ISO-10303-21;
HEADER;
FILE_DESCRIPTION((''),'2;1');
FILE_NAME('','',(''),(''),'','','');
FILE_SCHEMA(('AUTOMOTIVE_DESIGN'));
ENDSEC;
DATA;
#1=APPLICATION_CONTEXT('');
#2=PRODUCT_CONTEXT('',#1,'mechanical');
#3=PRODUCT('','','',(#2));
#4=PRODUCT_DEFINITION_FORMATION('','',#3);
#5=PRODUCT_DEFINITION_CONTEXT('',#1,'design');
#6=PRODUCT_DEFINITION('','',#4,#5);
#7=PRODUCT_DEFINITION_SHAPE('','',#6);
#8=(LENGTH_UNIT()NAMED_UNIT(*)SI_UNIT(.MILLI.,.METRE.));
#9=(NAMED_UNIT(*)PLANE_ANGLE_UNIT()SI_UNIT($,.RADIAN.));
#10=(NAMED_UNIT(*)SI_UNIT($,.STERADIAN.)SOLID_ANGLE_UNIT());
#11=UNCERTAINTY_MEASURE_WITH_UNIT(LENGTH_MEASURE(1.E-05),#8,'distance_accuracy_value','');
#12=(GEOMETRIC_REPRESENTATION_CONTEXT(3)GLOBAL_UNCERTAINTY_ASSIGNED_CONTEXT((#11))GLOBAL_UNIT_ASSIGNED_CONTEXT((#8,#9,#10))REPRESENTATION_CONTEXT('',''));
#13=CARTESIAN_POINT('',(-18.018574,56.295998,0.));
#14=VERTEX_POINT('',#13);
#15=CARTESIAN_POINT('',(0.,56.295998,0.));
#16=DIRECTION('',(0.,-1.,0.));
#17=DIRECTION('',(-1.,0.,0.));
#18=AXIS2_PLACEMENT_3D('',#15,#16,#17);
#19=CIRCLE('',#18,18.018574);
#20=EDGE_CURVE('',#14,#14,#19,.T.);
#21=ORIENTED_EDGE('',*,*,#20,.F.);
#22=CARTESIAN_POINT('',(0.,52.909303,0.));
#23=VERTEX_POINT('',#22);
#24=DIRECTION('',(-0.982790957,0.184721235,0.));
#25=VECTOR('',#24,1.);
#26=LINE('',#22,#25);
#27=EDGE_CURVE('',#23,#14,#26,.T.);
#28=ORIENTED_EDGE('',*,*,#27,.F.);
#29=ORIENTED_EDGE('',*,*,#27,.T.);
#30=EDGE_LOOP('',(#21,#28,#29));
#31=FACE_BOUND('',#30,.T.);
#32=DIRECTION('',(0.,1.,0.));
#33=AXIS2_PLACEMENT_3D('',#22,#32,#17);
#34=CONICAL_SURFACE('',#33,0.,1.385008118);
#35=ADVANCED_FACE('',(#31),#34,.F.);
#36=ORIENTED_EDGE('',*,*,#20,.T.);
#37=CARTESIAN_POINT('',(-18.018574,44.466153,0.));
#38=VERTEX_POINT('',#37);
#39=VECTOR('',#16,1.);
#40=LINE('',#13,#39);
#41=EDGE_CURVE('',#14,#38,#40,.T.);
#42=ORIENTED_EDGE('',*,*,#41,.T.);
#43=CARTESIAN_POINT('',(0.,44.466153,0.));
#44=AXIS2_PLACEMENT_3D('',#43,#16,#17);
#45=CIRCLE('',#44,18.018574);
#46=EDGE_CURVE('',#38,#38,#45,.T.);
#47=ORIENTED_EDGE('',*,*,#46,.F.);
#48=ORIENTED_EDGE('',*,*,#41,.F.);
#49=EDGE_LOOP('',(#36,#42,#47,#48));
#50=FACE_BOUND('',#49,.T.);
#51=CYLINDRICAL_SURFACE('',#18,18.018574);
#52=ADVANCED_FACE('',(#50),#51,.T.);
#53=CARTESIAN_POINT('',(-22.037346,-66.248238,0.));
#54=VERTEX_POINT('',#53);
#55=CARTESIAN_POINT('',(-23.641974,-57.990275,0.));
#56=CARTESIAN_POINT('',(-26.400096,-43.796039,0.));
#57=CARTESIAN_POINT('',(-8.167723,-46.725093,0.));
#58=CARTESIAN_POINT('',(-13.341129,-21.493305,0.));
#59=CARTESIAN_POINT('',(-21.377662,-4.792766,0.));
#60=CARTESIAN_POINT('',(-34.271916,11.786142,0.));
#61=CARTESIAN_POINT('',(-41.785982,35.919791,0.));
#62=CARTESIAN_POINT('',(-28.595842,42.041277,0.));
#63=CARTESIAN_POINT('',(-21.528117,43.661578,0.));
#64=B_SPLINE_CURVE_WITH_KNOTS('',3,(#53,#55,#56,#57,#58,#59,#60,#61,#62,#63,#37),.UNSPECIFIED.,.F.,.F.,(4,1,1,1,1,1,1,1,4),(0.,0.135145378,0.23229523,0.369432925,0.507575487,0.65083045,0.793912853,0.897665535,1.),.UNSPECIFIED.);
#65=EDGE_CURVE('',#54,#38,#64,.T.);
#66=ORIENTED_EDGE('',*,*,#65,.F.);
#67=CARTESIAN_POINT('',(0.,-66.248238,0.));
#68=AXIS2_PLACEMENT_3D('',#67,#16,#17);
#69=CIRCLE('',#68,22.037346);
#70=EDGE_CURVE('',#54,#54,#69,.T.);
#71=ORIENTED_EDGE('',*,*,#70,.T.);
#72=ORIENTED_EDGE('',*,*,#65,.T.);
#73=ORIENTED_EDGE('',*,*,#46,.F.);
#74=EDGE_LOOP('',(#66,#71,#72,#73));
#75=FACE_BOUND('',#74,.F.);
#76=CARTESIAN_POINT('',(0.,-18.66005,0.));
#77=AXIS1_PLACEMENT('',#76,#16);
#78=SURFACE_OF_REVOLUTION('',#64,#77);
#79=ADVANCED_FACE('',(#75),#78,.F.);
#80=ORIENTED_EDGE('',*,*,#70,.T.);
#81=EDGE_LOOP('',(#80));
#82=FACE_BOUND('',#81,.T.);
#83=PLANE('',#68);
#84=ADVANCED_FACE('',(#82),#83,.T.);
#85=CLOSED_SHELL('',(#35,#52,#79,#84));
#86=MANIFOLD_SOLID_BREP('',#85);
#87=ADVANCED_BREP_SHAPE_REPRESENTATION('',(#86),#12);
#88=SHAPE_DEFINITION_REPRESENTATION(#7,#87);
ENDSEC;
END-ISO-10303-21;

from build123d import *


with BuildPart() as f1:
    # F0 (on Top) → F1 (revolve)
    with BuildSketch(Plane.XY):
        with BuildLine():
            Line((0, -66.2482380867), (0, 52.9093034565))
            Line((0, 52.9093034565), (-18.0185735226, 56.2959983945))
            Line((-18.0185735226, 56.2959983945), (-18.0185735226, 44.4661527872))
            add(Edge.make_bspline(
                [(-22.037345916, -66.2482380867), (-23.6419740223, -57.9902750845), (-26.4000961262, -43.7960389242), (-8.16772348, -46.7250928635), (-13.3411287463, -21.4933053302), (-21.3776621791, -4.7927656646), (-34.271916475, 11.786141838), (-41.7859815151, 35.9197911912), (-28.5958421943, 42.0412768779), (-21.5281172463, 43.6615775899), (-18.0185735226, 44.4661527872)],
                knots=[0, 0, 0, 0, 0.135145378, 0.2322952296, 0.3694329249, 0.5075754869, 0.6508304503, 0.7939128535, 0.897665535, 1, 1, 1, 1], degree=3))
            Line((-22.037345916, -66.2482380867), (0, -66.2482380867))
        make_face()
    revolve(axis=Axis((0, -18.6600498855, 0), (0, -1, 0)))


solid = f1.part
